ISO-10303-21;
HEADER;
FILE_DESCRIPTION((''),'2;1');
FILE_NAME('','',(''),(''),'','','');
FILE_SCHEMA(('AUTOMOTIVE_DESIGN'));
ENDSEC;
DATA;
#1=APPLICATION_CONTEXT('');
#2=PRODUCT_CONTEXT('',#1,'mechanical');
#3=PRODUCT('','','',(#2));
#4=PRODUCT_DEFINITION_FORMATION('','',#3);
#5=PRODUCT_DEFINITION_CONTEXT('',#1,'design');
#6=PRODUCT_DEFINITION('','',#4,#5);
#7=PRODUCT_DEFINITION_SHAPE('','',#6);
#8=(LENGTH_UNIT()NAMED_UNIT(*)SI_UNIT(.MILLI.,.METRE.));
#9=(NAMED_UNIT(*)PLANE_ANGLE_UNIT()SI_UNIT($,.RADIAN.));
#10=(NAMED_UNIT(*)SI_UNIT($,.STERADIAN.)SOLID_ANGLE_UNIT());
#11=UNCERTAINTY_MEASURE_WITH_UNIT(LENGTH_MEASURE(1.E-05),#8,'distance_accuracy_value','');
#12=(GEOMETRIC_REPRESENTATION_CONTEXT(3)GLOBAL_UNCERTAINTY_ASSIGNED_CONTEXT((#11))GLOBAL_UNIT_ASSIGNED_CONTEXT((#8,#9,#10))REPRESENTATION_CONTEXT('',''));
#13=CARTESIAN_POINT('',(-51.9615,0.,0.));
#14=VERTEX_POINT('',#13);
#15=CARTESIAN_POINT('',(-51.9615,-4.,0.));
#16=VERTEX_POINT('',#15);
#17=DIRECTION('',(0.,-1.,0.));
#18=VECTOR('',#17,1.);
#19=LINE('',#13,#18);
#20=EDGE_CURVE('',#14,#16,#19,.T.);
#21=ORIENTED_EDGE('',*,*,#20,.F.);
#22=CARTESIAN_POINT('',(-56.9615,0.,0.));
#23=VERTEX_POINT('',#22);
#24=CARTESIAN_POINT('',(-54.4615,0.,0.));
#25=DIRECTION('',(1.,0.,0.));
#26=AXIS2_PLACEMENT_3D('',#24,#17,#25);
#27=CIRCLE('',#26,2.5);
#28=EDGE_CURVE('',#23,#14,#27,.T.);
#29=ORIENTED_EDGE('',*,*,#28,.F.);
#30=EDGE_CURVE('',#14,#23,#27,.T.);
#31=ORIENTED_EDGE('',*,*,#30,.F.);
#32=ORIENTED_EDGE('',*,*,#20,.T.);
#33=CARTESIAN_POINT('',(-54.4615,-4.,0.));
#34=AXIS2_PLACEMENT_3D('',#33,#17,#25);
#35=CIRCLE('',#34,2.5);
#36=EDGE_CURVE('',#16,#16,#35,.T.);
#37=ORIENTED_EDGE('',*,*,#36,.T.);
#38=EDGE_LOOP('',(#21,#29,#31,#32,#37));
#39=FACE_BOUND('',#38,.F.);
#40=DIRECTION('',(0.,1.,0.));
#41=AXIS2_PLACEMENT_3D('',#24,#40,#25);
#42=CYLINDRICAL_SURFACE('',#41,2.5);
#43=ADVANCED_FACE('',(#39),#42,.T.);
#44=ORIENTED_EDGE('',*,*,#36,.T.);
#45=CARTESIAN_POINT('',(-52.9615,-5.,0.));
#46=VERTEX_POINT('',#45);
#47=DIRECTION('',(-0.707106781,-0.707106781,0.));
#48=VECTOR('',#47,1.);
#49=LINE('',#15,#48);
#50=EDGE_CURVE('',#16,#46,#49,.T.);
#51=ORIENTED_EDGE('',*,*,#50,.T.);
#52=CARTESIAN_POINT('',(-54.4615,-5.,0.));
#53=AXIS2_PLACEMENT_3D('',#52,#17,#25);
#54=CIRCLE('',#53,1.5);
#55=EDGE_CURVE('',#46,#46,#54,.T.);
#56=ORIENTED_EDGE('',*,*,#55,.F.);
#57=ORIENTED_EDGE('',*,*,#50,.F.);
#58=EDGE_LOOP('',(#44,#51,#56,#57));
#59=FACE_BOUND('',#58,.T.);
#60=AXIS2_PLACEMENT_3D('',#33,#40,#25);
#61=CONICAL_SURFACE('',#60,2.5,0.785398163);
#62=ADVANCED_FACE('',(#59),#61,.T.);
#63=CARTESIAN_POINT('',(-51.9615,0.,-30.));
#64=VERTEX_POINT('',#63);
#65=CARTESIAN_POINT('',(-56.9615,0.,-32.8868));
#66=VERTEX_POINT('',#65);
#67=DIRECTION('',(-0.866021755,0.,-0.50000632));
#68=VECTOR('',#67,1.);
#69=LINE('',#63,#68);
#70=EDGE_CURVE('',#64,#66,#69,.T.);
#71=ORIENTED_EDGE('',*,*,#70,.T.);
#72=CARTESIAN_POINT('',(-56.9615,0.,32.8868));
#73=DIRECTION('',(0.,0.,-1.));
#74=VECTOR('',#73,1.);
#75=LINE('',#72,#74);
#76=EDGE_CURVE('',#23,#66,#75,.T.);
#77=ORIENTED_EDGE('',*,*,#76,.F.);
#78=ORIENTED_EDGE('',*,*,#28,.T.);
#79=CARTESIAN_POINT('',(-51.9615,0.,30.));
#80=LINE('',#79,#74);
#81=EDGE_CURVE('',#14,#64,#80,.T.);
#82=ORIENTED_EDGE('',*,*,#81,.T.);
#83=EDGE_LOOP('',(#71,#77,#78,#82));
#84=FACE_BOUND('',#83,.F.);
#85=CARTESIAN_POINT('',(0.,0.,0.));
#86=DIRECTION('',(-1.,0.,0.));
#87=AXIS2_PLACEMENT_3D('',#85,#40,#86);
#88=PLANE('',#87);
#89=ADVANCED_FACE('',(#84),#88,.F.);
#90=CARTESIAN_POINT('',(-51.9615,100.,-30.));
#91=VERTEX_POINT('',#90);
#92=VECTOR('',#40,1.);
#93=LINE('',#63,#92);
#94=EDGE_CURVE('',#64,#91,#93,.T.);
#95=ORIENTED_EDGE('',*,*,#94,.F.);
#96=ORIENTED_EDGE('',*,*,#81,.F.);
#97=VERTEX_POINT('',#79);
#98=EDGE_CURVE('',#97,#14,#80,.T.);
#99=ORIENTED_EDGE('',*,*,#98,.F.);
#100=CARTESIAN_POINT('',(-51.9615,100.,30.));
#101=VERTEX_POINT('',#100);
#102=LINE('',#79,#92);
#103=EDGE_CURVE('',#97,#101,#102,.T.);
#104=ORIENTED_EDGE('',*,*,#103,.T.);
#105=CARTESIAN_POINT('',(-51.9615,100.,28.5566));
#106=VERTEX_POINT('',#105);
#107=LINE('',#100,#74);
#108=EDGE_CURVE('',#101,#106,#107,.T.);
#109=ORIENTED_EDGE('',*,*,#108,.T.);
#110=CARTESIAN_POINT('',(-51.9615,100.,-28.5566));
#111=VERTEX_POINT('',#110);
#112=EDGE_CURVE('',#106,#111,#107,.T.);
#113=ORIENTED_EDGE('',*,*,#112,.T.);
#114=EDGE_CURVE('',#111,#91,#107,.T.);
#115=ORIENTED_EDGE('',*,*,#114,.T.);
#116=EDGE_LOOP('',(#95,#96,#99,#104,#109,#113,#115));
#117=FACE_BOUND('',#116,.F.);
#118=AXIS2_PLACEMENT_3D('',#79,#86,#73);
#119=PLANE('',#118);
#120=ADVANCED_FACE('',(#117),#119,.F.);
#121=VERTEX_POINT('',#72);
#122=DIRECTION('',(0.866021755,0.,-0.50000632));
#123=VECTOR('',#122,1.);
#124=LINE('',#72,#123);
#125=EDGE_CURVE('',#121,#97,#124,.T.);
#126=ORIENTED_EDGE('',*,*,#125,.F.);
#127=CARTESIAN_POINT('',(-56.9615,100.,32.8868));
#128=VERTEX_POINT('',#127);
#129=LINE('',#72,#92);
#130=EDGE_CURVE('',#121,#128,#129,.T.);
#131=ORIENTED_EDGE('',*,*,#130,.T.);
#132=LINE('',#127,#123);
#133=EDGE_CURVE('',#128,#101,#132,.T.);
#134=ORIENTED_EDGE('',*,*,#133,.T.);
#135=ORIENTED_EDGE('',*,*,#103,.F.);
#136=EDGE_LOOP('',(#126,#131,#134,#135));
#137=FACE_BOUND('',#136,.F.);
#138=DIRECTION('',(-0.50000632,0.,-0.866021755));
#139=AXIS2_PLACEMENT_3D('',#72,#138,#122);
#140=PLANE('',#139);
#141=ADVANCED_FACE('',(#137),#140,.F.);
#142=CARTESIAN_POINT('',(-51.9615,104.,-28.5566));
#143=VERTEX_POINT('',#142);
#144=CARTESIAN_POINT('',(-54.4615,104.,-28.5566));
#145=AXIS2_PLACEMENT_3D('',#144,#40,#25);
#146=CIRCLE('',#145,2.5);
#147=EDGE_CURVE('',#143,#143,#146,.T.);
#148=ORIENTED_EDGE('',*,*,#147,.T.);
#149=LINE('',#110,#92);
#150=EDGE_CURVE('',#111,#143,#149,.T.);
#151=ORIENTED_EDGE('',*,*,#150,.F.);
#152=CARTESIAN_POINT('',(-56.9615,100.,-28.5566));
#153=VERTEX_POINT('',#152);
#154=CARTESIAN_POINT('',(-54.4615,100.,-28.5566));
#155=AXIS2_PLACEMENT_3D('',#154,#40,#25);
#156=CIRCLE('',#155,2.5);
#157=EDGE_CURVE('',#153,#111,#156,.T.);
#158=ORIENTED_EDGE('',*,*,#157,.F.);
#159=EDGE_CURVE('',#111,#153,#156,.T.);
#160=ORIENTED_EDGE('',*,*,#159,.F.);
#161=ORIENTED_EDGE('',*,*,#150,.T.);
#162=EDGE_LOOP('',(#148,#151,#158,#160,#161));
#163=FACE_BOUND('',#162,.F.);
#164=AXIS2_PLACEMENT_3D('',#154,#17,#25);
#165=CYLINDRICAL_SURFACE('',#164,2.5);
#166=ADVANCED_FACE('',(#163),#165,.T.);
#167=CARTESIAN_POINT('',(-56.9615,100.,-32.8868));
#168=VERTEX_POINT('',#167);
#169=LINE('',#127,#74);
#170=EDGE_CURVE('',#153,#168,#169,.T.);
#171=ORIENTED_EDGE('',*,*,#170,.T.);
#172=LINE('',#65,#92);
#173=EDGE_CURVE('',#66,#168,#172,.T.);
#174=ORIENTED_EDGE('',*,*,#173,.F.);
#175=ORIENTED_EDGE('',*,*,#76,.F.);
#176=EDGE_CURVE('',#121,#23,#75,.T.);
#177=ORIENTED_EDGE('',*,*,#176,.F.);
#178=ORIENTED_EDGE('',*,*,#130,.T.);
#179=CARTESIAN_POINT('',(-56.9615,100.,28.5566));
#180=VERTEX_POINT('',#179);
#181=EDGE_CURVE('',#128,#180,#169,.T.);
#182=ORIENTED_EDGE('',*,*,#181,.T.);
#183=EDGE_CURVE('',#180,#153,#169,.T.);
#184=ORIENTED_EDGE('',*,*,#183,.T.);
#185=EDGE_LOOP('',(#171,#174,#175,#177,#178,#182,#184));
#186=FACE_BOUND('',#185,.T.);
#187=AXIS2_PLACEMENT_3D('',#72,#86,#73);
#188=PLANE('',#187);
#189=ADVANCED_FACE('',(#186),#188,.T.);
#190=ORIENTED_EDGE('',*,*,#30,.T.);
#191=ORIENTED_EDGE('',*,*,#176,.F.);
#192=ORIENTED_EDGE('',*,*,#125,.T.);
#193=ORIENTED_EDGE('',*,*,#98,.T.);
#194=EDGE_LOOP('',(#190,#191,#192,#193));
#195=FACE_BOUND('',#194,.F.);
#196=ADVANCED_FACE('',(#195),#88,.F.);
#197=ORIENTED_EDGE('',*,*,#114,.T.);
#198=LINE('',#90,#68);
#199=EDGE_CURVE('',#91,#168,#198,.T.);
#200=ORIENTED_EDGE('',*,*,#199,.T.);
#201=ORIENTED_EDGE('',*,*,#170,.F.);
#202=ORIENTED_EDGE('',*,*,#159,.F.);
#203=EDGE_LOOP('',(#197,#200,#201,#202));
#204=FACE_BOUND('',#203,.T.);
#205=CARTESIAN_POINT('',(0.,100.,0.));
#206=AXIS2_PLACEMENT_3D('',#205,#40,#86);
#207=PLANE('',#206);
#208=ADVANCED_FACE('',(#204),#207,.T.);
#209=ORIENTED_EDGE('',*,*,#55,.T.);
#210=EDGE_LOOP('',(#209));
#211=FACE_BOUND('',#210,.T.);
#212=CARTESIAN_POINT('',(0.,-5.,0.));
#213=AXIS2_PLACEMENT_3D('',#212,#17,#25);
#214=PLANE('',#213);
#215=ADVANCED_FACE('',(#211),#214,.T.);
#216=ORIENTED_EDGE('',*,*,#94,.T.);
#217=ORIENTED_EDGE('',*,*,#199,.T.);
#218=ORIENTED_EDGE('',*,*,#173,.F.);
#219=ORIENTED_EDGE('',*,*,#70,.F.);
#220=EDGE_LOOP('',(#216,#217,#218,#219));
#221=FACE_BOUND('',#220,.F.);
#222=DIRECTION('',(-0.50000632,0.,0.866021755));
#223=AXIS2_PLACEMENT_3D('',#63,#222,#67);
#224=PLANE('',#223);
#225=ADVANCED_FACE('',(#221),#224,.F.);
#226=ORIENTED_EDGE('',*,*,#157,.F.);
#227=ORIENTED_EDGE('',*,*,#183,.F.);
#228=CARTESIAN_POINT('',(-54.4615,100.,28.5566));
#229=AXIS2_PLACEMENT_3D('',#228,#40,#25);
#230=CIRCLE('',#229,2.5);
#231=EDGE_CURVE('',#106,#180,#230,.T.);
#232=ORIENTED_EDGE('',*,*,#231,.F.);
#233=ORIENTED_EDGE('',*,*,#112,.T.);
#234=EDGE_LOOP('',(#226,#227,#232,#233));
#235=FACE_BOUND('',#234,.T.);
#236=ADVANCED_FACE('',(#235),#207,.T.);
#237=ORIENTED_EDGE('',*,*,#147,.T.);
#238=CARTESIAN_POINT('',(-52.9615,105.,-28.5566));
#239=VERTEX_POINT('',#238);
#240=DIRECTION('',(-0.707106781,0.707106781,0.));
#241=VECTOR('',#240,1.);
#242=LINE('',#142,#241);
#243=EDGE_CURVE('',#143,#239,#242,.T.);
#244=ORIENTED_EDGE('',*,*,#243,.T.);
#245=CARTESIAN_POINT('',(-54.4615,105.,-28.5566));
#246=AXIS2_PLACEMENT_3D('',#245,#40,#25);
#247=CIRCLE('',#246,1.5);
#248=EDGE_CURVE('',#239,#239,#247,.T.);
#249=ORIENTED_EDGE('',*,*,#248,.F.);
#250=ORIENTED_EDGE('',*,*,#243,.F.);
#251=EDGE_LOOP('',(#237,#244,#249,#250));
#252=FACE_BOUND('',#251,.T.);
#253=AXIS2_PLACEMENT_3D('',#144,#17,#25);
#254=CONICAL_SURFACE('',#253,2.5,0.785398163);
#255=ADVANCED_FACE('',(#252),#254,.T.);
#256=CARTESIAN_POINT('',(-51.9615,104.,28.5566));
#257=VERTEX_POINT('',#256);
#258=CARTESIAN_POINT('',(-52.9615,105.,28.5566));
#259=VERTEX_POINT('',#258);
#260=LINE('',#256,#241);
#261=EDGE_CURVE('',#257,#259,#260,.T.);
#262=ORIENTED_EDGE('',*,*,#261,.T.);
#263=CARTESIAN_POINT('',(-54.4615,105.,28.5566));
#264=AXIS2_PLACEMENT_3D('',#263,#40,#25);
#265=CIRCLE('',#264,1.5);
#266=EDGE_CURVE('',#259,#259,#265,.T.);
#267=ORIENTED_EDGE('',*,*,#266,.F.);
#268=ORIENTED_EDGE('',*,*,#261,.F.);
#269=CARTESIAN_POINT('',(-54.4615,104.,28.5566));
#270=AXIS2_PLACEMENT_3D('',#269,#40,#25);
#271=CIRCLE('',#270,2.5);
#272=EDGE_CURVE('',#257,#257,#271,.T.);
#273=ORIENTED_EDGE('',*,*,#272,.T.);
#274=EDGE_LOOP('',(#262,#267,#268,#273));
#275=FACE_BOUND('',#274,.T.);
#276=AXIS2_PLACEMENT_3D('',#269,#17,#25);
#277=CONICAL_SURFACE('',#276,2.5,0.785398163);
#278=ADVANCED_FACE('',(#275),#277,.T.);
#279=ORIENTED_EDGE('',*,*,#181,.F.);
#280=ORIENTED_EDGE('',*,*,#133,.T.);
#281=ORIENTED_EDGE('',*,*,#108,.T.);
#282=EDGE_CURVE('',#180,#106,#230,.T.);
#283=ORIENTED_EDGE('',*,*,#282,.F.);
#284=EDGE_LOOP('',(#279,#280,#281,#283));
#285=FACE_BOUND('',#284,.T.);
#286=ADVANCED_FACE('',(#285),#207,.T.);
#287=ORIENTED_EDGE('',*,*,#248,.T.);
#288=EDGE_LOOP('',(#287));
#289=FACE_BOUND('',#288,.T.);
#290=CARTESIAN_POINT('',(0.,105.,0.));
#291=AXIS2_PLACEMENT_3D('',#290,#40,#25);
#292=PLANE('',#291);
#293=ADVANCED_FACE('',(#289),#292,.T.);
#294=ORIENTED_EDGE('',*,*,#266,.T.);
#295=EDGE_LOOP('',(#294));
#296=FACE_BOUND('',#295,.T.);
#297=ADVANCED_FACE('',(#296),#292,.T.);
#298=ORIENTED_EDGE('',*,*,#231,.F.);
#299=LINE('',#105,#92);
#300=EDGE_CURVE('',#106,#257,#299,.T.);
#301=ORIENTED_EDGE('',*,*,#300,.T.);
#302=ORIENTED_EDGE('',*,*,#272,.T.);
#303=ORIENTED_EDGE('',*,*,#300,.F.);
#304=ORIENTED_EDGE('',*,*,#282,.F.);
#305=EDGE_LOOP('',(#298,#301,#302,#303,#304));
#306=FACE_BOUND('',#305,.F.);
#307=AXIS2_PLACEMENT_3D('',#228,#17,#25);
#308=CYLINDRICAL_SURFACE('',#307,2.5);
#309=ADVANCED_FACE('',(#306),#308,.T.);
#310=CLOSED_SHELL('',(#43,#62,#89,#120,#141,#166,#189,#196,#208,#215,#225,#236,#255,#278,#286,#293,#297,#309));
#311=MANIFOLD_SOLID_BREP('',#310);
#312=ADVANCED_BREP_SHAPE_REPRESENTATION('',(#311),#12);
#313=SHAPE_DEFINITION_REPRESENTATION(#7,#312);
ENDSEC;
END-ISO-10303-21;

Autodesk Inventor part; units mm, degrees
ref_plane "YZ Plane" through (0, 0, 0) normal (1, 0, 0) x (0, 1, 0)
ref_plane "XZ Plane" through (0, 0, 0) normal (0, 1, 0) x (-1, 0, 0)
ref_plane "XY Plane" through (0, 0, 0) normal (0, 0, 1) x (1, 0, 0)
sketch "스케치2" plane through (0, 0, 0) normal (0, 1, 0) x (-1, 0, 0)
  line L0 (0, -60) -> (-51.9615, -30)
  line L1 (-51.9615, -30) -> (-51.9615, 30)
  line L2 (-51.9615, 30) -> (0, 60)
  line L3 (0, 60) -> (51.9615, 30)
  line L4 (51.9615, 30) -> (51.9615, -30)
  line L5 (51.9615, -30) -> (0, -60)
  line L6 (0, -65.7735) -> (-56.9615, -32.8868)
  line L7 (-56.9615, -32.8868) -> (-56.9615, 32.8868)
  line L8 (-56.9615, 32.8868) -> (0, 65.7735)
  line L9 (0, 65.7735) -> (56.9615, 32.8868)
  line L10 (56.9615, 32.8868) -> (56.9615, -32.8868)
  line L11 (56.9615, -32.8868) -> (0, -65.7735)
  line L12 (51.9615, -30) -> (56.9615, -32.8868)
  line L13 (56.9615, 32.8868) -> (51.9615, 30)
  point P0 (0, 0)
  point P1 (0, 0)
  dimension "d0" = 60
  dimension "d1" = 5
extrude "돌출1" add sketch "스케치2" along normal blind 100 contours L4 L13 L10 L12
sketch "스케치3" plane through (0, 100, 0) normal (0, 1, 0) x (1, 0, 0)
  line L0 (-56.9615, -32.8868) -> (-51.9615, -30) construction
  line L1 (-51.9615, 30) -> (-56.9615, 32.8868) construction
  line L2 (-56.9615, 32.8868) -> (-56.9615, -32.8868) construction
  circle A0 centre (-54.4615, 28.5566) radius 2.5
  circle A1 centre (-54.4615, -28.5566) radius 2.5
  point P0 (0, 0)
  dimension "d4" = 5
  dimension "d5" = 5
extrude "돌출2" add sketch "스케치3" along normal blind 5
sketch "스케치4" plane through (0, 0, 0) normal (0, -1, 0) x (1, 0, 0)
  line L0 (-51.9615, 30) -> (-51.9615, -30) construction
  circle A0 centre (-54.4615, 0) radius 2.5
  point P0 (0, 0)
  dimension "d8" = 5
extrude "돌출3" add sketch "스케치4" along normal blind 5
chamfer "모따기1" distance 1 angle 45 3 edges at (-56.9615, 105, 28.5566) (-56.9615, 105, -28.5566) (-56.9615, -5, 0)
properties part number "col"
